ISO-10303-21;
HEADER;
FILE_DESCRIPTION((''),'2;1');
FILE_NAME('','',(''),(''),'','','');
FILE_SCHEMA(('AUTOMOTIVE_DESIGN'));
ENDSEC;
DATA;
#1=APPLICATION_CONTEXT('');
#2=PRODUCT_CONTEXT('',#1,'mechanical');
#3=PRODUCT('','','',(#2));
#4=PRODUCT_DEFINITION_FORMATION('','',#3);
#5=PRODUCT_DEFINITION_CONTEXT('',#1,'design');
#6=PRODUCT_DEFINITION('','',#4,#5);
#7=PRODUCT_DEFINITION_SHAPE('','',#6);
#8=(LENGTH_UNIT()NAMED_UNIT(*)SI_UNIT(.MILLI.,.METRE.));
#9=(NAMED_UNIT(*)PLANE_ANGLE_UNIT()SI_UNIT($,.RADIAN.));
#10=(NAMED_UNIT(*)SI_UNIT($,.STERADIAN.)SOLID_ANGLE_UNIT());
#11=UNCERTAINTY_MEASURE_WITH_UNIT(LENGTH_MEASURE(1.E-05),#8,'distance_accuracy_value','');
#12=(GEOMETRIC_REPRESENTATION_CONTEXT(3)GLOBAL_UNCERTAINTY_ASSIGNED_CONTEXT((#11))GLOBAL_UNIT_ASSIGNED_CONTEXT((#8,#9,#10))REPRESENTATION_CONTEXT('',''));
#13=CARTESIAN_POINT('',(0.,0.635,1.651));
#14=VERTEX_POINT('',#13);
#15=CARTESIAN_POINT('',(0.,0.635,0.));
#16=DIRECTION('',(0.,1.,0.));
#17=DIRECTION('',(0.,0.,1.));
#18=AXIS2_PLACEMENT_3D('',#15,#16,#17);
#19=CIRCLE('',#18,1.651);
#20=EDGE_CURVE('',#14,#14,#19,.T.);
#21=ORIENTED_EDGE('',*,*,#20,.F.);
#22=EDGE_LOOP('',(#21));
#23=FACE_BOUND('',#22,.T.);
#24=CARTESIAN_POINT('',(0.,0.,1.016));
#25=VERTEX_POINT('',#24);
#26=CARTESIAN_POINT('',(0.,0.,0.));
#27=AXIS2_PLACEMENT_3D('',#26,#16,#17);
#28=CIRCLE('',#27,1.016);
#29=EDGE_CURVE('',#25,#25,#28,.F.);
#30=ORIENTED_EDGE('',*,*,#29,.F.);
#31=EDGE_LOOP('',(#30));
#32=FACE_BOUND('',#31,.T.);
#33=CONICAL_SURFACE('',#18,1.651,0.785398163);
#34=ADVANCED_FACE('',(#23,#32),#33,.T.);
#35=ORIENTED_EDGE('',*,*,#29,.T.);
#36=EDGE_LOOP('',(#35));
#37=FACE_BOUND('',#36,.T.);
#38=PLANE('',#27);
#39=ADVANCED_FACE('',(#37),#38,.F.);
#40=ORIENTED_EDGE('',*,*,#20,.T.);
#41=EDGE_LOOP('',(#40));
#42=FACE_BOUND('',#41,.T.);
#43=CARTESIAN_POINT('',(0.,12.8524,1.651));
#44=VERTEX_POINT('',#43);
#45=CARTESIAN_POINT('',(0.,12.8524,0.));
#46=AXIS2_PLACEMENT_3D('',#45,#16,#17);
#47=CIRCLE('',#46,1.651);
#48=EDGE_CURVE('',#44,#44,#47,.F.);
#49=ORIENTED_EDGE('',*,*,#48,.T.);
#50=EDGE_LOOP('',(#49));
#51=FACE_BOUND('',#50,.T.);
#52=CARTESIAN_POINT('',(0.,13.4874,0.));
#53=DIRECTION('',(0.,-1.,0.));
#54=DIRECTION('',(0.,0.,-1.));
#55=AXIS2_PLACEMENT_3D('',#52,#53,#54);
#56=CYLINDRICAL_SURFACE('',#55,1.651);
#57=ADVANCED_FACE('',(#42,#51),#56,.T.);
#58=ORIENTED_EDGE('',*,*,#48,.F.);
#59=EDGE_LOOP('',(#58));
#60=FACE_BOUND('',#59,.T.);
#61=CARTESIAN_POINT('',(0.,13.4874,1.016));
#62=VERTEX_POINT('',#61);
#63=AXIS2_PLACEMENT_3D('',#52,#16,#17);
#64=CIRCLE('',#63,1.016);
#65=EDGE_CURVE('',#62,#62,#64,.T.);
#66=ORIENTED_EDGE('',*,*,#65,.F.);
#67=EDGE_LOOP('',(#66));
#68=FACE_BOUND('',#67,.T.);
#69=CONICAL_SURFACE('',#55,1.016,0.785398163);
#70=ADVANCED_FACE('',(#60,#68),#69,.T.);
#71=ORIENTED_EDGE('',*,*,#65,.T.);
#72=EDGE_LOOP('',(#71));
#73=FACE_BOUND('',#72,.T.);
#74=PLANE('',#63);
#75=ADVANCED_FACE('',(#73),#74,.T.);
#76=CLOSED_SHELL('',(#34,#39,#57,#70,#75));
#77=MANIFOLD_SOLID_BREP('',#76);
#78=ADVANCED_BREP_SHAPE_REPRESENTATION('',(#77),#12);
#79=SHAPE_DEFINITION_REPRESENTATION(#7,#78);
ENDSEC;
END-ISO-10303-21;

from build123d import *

# Parameters (mm, degrees)
SKETCH2_R           = 1.651
BOSS_EXTRUDE1_DEPTH = 13.4874
CHAMFER1_SIZE       = 0.635


with BuildPart() as part:
    # Sketch2 → Boss-Extrude1 (new body)
    with BuildSketch(Plane(origin=(0, 0, 0), x_dir=(1, 0, 0), z_dir=(0, 1, 0))):
        Circle(SKETCH2_R)
    extrude(amount=BOSS_EXTRUDE1_DEPTH)

    # Chamfer1
    chamfer1_edges = [part.edges().sort_by_distance(p)[0] for p in [
        (-1.651, 0, 0),
        (-1.651, 13.4874, 0),
    ]]
    chamfer(chamfer1_edges, length=CHAMFER1_SIZE)


solid = part.part
